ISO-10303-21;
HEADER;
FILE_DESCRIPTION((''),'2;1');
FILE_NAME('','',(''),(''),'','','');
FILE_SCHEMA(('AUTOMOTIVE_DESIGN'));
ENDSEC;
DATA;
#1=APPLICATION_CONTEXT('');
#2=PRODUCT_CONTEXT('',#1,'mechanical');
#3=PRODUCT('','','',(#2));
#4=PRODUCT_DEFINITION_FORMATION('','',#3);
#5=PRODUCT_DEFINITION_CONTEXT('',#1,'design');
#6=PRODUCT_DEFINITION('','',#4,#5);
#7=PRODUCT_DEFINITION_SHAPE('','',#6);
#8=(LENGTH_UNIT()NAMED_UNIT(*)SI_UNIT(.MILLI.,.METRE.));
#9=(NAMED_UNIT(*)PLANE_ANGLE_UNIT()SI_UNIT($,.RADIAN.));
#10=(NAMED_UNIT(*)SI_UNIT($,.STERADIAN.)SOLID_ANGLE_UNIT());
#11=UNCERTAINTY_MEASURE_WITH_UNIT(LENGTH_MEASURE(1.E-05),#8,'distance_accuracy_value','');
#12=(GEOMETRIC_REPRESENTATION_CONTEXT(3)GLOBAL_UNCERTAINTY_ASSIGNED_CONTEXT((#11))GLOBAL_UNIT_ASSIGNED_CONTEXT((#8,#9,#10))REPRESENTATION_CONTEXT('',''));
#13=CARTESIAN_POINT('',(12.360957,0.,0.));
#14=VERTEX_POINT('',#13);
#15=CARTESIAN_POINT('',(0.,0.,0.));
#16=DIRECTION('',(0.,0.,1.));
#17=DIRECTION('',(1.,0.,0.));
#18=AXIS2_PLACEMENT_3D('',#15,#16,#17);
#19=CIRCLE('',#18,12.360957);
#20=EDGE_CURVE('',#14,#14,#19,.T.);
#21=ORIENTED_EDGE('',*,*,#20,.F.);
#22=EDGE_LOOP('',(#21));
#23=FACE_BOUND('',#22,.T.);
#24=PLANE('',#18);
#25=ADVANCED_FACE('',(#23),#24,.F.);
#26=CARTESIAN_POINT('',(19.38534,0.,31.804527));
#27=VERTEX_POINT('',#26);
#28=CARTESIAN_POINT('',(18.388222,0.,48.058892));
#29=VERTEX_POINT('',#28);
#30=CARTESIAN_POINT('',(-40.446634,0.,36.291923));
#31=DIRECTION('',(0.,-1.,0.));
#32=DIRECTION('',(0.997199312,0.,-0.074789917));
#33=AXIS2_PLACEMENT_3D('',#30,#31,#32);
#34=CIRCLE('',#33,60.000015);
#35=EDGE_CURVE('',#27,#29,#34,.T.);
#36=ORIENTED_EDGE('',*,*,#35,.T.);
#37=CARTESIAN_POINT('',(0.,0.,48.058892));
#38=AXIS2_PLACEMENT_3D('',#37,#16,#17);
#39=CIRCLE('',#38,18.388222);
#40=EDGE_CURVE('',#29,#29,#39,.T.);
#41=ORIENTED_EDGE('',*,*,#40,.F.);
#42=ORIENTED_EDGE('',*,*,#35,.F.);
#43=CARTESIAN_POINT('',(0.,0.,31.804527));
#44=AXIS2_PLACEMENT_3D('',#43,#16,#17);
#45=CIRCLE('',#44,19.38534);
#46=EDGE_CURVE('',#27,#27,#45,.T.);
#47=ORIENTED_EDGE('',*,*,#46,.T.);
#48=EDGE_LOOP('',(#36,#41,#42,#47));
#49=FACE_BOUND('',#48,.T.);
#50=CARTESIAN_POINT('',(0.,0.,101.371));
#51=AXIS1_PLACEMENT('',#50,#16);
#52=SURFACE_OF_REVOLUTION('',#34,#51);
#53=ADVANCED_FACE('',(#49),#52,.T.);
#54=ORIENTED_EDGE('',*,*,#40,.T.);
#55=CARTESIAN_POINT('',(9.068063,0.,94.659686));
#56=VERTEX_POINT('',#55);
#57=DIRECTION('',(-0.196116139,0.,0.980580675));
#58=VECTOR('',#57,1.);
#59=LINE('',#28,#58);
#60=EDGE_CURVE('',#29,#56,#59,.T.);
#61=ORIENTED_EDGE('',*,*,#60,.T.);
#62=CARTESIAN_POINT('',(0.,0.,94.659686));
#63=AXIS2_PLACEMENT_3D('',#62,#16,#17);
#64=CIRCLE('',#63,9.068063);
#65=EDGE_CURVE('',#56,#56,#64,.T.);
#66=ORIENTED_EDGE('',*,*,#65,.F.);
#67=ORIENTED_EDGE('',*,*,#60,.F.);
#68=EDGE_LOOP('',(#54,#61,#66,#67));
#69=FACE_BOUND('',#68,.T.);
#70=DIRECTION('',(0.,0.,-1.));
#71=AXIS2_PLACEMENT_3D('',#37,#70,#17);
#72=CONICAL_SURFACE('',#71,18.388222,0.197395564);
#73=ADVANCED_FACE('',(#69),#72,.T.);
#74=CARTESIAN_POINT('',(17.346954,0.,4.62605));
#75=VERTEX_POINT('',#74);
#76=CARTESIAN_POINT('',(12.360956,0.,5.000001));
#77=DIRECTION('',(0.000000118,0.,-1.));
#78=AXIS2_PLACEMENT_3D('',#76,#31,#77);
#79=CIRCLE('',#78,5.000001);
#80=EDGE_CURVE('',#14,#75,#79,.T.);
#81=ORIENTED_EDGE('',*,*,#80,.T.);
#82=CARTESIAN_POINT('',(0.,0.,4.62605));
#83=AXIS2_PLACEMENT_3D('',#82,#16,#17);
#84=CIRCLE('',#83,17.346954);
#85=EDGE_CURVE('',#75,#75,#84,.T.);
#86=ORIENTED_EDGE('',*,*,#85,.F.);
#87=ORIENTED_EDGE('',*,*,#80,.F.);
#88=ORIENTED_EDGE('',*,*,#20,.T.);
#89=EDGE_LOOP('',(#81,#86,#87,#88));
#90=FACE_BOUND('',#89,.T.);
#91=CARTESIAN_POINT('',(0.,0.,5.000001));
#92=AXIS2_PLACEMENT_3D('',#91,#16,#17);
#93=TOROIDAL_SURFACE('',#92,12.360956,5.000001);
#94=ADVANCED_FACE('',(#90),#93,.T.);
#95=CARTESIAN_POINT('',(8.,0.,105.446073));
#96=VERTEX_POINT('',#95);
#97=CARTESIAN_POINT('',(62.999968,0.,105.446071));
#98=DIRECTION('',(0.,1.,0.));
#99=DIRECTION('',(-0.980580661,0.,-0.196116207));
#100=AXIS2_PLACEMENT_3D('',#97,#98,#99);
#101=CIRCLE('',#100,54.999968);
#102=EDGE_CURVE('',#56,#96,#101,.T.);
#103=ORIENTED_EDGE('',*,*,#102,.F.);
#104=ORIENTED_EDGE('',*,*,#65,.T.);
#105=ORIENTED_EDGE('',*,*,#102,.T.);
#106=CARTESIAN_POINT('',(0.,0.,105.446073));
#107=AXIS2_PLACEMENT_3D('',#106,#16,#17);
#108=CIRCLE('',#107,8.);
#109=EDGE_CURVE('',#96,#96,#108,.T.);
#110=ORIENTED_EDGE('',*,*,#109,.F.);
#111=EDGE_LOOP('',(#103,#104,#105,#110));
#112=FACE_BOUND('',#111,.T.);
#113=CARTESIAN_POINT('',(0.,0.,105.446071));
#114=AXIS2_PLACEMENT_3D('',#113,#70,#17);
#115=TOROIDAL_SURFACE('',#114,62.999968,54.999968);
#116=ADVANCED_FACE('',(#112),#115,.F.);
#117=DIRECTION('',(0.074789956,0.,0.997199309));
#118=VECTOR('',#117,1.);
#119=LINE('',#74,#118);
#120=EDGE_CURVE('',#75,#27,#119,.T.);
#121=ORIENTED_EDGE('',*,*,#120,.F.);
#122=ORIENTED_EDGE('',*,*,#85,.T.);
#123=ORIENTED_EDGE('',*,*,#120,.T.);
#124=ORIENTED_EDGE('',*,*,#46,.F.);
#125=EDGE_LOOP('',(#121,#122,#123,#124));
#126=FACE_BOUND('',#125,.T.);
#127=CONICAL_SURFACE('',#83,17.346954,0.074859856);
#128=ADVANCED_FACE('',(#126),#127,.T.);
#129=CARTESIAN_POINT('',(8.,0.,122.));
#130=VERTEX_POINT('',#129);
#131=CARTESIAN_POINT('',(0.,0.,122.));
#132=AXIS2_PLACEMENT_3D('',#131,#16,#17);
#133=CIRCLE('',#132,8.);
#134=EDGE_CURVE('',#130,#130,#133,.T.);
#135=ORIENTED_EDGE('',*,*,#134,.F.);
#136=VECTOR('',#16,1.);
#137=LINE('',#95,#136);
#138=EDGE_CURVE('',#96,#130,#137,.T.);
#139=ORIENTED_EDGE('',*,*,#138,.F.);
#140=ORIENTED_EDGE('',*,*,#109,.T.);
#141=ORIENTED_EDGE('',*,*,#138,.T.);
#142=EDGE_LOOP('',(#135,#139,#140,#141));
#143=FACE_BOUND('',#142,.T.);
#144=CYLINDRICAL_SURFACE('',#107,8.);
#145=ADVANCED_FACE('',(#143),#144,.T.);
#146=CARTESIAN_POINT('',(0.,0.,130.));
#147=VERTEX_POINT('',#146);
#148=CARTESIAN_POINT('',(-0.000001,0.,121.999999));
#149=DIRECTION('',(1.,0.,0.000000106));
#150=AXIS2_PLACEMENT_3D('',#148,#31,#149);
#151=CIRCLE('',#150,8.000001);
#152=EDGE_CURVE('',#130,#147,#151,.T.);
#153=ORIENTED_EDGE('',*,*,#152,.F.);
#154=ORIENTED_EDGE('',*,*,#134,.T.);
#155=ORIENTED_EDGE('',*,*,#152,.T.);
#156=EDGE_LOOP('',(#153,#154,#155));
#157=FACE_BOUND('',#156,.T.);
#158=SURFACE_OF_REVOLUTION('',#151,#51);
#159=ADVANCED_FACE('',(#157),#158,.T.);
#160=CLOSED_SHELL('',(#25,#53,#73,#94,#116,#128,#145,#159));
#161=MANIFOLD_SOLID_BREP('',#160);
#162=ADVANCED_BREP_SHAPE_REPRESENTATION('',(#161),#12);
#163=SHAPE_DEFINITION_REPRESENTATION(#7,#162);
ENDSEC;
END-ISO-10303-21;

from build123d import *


with BuildPart() as f1:
    # F0 (on Front) → F1 (revolve)
    with BuildSketch(Plane.XZ):
        with BuildLine():
            Line((0, 130), (0, 0))
            Line((0, 0), (12.360957, 0))
            ThreePointArc((12.360957, 0), (15.761711, 1.334639), (17.346954, 4.62605))
            Line((17.346954, 4.62605), (19.38534, 31.804527))
            ThreePointArc((19.38534, 31.804527), (19.440804, 39.965696), (18.388222, 48.058892))
            Line((18.388222, 48.058892), (9.068063, 94.659686))
            ThreePointArc((9.068063, 94.659686), (8.267667, 100.026504), (8, 105.446073))
            Line((8, 105.446073), (8, 122))
            ThreePointArc((8, 122), (5.656854, 127.656854), (0, 130))
        make_face()
    revolve(axis=Axis((0, 0, 101.371), (0, 0, 1)))


solid = f1.part
